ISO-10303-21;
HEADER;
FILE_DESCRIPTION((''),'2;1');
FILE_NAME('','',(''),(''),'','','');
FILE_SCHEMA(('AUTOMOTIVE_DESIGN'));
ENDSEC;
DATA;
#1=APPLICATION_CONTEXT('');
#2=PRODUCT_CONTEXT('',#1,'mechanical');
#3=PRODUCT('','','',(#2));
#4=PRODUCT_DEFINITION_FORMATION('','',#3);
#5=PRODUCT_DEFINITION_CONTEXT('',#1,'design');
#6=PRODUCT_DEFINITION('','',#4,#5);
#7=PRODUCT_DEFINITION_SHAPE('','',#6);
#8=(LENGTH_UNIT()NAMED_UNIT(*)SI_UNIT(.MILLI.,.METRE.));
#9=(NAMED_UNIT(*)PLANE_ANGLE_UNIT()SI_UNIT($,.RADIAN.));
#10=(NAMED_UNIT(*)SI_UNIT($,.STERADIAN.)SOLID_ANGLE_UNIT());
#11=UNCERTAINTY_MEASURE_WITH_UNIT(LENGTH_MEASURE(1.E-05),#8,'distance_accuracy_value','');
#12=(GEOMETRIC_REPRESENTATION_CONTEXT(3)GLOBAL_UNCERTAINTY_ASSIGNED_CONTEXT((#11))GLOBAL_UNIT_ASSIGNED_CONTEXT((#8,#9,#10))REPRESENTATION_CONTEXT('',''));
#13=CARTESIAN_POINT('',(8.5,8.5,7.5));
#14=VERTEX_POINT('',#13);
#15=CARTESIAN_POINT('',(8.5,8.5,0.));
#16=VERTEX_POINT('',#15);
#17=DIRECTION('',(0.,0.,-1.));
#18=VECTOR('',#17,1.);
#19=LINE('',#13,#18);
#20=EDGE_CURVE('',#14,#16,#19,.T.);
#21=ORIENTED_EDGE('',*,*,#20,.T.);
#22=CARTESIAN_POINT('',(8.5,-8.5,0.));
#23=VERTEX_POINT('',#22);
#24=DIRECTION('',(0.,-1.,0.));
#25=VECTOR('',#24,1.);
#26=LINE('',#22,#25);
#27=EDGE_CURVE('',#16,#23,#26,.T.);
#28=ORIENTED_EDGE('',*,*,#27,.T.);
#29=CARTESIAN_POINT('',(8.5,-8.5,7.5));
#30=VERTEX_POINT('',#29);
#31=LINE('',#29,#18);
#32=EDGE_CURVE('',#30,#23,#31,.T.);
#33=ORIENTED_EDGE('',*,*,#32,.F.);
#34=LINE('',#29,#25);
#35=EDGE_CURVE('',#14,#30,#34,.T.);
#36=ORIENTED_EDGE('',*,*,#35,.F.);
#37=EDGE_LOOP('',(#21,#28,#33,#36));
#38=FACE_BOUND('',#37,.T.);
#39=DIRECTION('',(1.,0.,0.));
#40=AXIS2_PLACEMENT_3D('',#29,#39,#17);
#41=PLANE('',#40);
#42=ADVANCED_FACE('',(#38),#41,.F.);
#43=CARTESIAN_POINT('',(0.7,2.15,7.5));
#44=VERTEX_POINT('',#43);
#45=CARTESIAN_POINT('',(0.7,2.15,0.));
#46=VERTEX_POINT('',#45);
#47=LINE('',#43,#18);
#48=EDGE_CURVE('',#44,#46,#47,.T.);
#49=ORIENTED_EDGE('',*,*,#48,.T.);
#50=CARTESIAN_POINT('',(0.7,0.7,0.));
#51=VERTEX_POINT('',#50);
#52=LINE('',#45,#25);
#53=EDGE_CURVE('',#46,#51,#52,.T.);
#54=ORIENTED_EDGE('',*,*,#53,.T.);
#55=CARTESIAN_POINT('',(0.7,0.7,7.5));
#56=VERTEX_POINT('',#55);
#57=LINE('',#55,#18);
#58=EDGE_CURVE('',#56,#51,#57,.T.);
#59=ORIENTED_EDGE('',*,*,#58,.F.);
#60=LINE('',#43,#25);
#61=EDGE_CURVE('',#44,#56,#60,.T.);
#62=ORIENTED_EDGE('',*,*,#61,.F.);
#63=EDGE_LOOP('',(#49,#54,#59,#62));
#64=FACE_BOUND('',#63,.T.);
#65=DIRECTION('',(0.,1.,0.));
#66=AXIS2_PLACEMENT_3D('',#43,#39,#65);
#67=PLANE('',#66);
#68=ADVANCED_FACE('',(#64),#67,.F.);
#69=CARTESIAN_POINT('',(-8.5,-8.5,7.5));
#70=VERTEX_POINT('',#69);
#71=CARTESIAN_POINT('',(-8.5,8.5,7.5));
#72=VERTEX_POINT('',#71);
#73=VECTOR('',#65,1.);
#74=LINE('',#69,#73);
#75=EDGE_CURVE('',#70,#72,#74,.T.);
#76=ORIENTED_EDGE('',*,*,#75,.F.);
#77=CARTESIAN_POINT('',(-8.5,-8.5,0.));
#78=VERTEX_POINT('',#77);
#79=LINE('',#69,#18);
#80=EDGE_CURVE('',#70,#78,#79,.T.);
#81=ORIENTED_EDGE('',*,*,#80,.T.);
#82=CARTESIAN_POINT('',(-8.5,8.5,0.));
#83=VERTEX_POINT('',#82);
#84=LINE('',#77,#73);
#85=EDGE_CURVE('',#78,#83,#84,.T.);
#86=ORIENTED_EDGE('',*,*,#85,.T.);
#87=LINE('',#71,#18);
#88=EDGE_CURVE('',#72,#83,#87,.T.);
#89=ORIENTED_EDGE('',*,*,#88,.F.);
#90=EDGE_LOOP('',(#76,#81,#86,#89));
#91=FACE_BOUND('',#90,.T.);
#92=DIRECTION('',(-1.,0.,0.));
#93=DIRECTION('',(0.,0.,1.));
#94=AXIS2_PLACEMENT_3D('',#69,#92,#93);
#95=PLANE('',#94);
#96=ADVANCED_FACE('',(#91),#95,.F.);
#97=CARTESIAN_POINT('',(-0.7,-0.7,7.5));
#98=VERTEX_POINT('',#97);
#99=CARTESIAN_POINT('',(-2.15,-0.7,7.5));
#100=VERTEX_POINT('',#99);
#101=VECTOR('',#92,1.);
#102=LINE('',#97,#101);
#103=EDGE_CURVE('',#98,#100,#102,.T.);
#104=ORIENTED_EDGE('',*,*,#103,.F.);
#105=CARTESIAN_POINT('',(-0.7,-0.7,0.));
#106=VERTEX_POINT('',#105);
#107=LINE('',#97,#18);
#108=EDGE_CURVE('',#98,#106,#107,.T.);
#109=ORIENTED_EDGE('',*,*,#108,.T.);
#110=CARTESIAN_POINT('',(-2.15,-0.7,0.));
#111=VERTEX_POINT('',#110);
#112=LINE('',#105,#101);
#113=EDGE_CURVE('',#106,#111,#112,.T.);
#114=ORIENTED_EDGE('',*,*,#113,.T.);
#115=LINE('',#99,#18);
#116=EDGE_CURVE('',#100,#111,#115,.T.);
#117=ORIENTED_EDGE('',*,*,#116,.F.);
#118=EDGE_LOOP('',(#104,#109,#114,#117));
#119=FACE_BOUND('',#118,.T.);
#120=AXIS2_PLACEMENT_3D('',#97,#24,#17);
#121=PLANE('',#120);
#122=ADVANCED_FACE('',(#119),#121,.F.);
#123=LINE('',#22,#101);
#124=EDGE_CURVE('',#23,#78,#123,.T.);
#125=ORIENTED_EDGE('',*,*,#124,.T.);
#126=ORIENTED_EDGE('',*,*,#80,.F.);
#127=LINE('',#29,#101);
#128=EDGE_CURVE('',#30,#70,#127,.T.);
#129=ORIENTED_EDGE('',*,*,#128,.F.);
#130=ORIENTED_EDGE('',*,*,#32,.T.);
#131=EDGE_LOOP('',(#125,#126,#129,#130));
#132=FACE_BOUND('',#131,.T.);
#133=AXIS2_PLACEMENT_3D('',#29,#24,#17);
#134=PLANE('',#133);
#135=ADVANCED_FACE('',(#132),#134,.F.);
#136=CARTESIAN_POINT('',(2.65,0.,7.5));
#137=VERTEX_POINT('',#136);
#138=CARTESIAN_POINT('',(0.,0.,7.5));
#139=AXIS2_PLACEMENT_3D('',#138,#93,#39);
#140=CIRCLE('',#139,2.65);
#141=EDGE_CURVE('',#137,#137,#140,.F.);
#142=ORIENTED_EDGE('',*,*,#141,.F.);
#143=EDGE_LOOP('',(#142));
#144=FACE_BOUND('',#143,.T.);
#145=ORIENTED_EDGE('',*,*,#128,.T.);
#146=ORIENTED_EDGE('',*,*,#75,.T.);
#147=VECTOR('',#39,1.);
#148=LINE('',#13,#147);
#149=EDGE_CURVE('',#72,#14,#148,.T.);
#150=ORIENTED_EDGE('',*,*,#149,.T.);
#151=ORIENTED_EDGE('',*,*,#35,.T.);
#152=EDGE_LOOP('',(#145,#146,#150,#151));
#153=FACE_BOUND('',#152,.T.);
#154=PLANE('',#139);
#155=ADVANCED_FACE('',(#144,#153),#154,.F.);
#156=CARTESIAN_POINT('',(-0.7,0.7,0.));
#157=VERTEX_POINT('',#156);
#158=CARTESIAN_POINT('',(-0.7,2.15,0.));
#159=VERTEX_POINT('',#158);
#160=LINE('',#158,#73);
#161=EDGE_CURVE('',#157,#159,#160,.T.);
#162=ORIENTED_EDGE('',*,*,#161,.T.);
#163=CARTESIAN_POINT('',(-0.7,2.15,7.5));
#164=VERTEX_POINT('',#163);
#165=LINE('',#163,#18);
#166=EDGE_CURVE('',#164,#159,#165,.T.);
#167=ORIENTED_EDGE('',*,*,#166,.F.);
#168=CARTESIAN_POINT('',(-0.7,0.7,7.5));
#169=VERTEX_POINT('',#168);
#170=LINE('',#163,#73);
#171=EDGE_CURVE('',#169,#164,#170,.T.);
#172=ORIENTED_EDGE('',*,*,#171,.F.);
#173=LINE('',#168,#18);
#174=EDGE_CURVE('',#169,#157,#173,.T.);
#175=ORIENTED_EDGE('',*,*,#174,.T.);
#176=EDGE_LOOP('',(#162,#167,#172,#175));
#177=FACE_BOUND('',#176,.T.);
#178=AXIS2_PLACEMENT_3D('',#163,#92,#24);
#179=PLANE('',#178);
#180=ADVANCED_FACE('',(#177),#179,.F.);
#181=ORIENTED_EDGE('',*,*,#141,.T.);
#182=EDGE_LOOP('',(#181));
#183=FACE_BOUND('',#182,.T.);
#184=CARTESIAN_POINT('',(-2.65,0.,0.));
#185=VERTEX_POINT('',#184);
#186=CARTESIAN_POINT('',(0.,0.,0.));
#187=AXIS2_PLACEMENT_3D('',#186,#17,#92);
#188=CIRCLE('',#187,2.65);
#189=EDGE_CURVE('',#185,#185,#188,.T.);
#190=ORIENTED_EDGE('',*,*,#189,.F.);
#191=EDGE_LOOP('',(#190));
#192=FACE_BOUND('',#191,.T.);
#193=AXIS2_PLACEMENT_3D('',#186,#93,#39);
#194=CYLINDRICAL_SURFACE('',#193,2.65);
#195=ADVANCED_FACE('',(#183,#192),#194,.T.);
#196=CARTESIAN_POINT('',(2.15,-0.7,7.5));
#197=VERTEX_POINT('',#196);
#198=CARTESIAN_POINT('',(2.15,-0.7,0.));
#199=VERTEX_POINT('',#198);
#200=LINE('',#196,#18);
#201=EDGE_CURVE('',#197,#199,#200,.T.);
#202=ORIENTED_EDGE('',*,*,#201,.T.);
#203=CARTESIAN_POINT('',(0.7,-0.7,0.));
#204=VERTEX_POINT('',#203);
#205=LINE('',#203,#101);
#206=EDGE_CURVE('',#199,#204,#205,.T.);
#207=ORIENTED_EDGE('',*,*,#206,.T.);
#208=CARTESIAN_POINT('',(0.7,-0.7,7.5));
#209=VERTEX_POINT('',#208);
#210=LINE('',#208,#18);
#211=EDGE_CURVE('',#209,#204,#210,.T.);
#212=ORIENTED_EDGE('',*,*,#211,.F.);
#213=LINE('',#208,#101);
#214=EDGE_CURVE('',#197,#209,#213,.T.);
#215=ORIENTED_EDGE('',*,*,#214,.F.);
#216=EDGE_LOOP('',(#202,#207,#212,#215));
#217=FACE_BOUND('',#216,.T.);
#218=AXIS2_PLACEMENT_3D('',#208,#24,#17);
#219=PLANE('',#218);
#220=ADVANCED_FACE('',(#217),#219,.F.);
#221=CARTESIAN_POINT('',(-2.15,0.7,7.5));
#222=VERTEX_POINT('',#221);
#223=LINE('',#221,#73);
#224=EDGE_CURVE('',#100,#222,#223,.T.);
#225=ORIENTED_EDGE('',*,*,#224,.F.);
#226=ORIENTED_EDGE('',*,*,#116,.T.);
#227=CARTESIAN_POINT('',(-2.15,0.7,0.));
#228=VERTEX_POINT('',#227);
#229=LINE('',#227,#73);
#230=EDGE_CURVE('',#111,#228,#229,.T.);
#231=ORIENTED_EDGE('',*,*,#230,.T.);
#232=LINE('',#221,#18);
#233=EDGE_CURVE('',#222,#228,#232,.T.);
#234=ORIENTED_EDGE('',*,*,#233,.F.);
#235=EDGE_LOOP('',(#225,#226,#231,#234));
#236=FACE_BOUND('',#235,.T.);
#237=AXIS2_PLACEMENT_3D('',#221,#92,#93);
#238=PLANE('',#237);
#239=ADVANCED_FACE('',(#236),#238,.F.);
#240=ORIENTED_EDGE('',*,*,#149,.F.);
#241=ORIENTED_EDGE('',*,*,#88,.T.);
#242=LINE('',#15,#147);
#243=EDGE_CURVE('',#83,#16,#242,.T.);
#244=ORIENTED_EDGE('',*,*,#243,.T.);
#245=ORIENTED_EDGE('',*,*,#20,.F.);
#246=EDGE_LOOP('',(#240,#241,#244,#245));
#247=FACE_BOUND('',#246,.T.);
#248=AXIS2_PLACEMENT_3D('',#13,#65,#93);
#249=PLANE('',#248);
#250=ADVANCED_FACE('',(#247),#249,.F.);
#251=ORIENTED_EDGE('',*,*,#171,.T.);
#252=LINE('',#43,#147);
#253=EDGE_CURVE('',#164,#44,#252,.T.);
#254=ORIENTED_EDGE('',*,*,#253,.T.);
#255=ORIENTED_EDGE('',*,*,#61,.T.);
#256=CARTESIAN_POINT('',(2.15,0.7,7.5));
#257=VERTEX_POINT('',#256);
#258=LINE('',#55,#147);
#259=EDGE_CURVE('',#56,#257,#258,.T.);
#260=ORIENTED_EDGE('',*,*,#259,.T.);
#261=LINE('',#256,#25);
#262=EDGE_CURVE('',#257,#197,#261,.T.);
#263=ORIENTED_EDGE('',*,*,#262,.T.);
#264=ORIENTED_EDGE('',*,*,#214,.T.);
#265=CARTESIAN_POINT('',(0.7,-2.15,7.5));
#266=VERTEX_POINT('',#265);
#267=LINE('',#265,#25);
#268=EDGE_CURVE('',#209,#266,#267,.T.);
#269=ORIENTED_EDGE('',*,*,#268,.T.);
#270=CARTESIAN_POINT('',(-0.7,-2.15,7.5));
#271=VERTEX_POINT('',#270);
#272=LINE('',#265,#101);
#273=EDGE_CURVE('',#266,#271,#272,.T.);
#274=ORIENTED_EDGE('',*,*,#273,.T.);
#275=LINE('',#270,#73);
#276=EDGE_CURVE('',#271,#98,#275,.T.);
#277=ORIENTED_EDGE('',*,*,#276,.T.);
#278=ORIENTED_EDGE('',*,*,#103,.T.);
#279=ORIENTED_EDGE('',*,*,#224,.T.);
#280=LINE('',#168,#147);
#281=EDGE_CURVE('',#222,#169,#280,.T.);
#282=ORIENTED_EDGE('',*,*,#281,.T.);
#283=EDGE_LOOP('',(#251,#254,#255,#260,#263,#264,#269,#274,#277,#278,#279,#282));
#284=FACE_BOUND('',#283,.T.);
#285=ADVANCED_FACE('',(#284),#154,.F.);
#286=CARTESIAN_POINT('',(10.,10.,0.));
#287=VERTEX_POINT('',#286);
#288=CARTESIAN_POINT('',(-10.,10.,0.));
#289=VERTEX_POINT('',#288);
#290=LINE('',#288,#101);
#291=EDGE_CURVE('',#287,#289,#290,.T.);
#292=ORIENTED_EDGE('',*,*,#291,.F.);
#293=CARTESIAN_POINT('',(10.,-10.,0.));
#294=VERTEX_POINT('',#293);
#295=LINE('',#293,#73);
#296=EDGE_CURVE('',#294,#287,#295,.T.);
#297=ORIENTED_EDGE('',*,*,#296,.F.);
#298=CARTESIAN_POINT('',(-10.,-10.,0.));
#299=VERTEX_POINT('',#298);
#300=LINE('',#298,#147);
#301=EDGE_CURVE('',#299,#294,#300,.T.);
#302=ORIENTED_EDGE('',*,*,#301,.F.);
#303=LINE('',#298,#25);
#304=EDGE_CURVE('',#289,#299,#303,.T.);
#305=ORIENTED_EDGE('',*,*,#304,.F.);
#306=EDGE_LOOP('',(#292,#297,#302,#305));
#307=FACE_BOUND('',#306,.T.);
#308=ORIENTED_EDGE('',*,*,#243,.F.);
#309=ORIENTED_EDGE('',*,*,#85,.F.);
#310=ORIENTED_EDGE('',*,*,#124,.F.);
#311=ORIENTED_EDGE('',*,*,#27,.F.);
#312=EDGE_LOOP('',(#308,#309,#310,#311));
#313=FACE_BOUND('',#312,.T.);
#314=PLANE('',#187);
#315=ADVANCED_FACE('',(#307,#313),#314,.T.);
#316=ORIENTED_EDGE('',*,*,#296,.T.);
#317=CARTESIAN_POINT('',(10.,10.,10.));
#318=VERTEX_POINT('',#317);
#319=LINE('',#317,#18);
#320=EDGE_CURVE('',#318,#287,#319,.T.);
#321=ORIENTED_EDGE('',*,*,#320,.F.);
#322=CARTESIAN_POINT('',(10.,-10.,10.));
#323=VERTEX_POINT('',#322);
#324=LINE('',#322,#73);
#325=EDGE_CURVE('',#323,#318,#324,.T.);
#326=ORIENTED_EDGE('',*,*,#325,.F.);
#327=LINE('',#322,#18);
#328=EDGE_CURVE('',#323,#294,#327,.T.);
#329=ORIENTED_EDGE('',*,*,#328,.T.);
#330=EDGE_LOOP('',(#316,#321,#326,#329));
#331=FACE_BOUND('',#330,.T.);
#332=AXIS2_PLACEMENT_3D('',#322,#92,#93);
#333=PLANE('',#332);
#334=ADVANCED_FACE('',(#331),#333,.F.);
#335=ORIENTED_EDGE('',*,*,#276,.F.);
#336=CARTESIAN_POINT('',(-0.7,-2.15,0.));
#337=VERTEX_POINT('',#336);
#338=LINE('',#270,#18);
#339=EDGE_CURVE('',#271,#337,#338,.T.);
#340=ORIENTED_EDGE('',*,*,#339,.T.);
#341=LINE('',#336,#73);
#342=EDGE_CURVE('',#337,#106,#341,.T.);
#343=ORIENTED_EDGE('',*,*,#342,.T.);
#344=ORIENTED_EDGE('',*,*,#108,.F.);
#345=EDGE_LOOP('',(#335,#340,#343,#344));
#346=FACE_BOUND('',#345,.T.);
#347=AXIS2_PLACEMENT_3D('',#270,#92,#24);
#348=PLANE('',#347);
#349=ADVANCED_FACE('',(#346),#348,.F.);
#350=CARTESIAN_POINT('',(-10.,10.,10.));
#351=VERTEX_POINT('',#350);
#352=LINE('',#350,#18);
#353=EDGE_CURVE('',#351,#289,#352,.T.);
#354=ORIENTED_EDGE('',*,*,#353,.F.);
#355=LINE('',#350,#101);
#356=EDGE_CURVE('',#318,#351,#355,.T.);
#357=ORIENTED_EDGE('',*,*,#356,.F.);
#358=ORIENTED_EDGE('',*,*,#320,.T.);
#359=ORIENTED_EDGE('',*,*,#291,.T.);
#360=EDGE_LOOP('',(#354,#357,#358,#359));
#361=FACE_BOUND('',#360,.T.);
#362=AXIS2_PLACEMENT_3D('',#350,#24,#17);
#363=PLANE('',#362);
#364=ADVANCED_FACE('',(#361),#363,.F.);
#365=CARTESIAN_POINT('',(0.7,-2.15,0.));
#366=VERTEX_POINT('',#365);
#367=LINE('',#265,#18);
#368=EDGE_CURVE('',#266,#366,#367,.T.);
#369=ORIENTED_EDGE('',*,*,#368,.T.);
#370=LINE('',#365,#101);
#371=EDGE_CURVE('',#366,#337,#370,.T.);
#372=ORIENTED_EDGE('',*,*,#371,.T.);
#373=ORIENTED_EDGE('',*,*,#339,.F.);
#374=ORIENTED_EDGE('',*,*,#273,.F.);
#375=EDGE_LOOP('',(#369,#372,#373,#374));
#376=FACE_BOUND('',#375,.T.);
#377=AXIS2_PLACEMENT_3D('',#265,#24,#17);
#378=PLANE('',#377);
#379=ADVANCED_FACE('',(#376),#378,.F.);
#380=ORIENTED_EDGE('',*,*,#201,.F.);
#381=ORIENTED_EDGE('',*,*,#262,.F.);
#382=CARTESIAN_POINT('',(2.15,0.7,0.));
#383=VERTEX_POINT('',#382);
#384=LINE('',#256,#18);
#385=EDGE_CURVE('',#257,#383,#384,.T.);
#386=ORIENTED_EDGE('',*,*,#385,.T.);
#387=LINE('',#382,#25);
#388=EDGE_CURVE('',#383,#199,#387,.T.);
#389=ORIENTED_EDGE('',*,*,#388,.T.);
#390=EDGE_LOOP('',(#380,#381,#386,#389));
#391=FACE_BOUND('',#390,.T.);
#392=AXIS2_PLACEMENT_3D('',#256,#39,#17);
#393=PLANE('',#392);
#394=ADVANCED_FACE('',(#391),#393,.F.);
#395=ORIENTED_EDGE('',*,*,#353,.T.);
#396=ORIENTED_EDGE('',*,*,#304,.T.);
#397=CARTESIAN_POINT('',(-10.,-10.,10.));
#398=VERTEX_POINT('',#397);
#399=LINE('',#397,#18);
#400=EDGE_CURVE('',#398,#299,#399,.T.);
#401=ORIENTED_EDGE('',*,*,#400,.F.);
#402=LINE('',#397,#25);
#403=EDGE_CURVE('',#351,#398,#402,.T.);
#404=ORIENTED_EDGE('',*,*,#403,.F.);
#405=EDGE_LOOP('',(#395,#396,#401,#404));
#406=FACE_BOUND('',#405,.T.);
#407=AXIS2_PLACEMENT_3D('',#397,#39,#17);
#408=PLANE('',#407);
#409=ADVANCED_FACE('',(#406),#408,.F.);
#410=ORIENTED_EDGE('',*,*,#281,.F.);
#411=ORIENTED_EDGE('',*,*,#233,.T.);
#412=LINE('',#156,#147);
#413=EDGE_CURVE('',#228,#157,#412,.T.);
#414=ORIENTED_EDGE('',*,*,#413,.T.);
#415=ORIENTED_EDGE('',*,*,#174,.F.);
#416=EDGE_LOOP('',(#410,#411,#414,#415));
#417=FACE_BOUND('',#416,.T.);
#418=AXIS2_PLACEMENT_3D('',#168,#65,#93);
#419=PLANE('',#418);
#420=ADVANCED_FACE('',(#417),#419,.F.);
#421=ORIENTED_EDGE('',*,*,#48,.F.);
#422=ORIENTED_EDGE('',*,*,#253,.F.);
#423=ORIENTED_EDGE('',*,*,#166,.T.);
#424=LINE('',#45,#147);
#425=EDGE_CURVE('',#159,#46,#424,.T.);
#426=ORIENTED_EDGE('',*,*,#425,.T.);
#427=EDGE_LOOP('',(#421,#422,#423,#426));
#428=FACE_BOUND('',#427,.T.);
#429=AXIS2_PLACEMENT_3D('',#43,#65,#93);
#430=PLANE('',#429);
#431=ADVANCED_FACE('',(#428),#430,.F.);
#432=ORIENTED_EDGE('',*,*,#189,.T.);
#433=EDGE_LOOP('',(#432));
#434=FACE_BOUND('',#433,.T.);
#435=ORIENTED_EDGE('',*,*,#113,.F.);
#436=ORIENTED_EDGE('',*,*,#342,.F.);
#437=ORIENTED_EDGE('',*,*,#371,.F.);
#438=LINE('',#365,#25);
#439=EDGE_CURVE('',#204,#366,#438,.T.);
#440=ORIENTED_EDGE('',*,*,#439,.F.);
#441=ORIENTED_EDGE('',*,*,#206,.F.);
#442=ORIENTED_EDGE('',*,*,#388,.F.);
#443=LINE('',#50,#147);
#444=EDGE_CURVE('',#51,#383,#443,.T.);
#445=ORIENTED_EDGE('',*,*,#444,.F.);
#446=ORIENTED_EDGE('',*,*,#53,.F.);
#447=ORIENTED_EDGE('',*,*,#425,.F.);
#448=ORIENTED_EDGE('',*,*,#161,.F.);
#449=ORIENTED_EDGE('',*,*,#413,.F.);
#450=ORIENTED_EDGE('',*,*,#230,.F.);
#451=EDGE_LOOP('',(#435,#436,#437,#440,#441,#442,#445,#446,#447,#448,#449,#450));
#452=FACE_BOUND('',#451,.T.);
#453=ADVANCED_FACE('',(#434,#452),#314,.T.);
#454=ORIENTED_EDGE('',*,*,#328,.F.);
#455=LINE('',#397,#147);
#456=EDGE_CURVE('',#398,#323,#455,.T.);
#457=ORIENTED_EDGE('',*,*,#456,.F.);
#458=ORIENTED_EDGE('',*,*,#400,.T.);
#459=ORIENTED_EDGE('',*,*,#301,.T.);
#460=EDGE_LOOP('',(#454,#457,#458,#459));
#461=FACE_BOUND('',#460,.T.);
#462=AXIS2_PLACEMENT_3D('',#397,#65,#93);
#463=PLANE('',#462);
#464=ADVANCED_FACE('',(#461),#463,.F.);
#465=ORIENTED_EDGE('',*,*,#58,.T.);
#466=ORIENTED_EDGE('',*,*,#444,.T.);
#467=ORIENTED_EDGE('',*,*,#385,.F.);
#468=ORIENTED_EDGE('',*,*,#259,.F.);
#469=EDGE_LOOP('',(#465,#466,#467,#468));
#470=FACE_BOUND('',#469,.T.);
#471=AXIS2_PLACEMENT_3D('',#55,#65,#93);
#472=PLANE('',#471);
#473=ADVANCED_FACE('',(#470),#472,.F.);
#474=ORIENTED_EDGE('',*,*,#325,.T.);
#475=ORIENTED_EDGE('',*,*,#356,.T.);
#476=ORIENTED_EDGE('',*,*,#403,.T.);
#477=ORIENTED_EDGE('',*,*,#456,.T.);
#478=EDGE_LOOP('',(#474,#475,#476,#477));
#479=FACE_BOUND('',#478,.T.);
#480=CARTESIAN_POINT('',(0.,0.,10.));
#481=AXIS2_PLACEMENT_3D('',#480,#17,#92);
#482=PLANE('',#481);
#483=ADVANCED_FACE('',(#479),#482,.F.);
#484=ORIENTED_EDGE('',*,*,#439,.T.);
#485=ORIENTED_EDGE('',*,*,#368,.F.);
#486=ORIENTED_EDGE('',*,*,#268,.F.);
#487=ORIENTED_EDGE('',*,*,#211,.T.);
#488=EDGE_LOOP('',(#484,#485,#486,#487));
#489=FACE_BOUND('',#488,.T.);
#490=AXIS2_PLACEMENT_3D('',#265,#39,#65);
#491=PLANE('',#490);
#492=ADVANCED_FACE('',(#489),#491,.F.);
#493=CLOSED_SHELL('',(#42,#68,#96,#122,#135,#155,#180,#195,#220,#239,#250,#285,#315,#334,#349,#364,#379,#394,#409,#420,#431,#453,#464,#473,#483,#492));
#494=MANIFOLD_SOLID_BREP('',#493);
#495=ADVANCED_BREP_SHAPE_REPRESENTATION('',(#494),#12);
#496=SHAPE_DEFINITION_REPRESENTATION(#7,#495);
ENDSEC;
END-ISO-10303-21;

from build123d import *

# Parameters (mm, degrees)
SKICA1_W                 = 20
SKICA1_H                 = 20
P_IDAT_VYSUNUT_M1_DEPTH  = 10
SKICA2_W                 = 17
SKICA2_H                 = 17
ODEBRAT_VYSUNUT_M1_DEPTH = 7.5
SKICA3_R                 = 2.65
P_IDAT_VYSUNUT_M2_DEPTH  = 7.5
ODEBRAT_VYSUNUT_M2_DEPTH = 7.5


with BuildPart() as part:
    # Skica1 → Přidat vysunutím1 (new body)
    with BuildSketch(Plane.XY):
        Rectangle(SKICA1_W, SKICA1_H)
    extrude(amount=P_IDAT_VYSUNUT_M1_DEPTH)

    # Skica2 → Odebrat vysunutím1 (cut)
    with BuildSketch(Plane(origin=(0, 0, 0), x_dir=(-1, 0, 0), z_dir=(0, 0, -1))):
        Rectangle(SKICA2_W, SKICA2_H)
    extrude(amount=-ODEBRAT_VYSUNUT_M1_DEPTH, mode=Mode.SUBTRACT)

    # Skica3 → Přidat vysunutím2 (add)
    with BuildSketch(Plane(origin=(0, 0, 7.5), x_dir=(-1, 0, 0), z_dir=(0, 0, -1))):
        with Locations(Location((0, 0, 0), (0, 0, 180))):
            Circle(SKICA3_R)
    extrude(amount=P_IDAT_VYSUNUT_M2_DEPTH)

    # Skica4 → Odebrat vysunutím2 (cut)
    with BuildSketch(Plane(origin=(0, 0, 0), x_dir=(-1, 0, 0), z_dir=(0, 0, -1))):
        Polygon((-0.7, 2.15), (0.7, 2.15), (0.7, 0.7), (2.15, 0.7), (2.15, -0.7), (0.7, -0.7), (0.7, -2.15), (-0.7, -2.15), (-0.7, -0.7), (-2.15, -0.7), (-2.15, 0.7), (-0.7, 0.7), align=None)
    extrude(amount=-ODEBRAT_VYSUNUT_M2_DEPTH, mode=Mode.SUBTRACT)


solid = part.part
